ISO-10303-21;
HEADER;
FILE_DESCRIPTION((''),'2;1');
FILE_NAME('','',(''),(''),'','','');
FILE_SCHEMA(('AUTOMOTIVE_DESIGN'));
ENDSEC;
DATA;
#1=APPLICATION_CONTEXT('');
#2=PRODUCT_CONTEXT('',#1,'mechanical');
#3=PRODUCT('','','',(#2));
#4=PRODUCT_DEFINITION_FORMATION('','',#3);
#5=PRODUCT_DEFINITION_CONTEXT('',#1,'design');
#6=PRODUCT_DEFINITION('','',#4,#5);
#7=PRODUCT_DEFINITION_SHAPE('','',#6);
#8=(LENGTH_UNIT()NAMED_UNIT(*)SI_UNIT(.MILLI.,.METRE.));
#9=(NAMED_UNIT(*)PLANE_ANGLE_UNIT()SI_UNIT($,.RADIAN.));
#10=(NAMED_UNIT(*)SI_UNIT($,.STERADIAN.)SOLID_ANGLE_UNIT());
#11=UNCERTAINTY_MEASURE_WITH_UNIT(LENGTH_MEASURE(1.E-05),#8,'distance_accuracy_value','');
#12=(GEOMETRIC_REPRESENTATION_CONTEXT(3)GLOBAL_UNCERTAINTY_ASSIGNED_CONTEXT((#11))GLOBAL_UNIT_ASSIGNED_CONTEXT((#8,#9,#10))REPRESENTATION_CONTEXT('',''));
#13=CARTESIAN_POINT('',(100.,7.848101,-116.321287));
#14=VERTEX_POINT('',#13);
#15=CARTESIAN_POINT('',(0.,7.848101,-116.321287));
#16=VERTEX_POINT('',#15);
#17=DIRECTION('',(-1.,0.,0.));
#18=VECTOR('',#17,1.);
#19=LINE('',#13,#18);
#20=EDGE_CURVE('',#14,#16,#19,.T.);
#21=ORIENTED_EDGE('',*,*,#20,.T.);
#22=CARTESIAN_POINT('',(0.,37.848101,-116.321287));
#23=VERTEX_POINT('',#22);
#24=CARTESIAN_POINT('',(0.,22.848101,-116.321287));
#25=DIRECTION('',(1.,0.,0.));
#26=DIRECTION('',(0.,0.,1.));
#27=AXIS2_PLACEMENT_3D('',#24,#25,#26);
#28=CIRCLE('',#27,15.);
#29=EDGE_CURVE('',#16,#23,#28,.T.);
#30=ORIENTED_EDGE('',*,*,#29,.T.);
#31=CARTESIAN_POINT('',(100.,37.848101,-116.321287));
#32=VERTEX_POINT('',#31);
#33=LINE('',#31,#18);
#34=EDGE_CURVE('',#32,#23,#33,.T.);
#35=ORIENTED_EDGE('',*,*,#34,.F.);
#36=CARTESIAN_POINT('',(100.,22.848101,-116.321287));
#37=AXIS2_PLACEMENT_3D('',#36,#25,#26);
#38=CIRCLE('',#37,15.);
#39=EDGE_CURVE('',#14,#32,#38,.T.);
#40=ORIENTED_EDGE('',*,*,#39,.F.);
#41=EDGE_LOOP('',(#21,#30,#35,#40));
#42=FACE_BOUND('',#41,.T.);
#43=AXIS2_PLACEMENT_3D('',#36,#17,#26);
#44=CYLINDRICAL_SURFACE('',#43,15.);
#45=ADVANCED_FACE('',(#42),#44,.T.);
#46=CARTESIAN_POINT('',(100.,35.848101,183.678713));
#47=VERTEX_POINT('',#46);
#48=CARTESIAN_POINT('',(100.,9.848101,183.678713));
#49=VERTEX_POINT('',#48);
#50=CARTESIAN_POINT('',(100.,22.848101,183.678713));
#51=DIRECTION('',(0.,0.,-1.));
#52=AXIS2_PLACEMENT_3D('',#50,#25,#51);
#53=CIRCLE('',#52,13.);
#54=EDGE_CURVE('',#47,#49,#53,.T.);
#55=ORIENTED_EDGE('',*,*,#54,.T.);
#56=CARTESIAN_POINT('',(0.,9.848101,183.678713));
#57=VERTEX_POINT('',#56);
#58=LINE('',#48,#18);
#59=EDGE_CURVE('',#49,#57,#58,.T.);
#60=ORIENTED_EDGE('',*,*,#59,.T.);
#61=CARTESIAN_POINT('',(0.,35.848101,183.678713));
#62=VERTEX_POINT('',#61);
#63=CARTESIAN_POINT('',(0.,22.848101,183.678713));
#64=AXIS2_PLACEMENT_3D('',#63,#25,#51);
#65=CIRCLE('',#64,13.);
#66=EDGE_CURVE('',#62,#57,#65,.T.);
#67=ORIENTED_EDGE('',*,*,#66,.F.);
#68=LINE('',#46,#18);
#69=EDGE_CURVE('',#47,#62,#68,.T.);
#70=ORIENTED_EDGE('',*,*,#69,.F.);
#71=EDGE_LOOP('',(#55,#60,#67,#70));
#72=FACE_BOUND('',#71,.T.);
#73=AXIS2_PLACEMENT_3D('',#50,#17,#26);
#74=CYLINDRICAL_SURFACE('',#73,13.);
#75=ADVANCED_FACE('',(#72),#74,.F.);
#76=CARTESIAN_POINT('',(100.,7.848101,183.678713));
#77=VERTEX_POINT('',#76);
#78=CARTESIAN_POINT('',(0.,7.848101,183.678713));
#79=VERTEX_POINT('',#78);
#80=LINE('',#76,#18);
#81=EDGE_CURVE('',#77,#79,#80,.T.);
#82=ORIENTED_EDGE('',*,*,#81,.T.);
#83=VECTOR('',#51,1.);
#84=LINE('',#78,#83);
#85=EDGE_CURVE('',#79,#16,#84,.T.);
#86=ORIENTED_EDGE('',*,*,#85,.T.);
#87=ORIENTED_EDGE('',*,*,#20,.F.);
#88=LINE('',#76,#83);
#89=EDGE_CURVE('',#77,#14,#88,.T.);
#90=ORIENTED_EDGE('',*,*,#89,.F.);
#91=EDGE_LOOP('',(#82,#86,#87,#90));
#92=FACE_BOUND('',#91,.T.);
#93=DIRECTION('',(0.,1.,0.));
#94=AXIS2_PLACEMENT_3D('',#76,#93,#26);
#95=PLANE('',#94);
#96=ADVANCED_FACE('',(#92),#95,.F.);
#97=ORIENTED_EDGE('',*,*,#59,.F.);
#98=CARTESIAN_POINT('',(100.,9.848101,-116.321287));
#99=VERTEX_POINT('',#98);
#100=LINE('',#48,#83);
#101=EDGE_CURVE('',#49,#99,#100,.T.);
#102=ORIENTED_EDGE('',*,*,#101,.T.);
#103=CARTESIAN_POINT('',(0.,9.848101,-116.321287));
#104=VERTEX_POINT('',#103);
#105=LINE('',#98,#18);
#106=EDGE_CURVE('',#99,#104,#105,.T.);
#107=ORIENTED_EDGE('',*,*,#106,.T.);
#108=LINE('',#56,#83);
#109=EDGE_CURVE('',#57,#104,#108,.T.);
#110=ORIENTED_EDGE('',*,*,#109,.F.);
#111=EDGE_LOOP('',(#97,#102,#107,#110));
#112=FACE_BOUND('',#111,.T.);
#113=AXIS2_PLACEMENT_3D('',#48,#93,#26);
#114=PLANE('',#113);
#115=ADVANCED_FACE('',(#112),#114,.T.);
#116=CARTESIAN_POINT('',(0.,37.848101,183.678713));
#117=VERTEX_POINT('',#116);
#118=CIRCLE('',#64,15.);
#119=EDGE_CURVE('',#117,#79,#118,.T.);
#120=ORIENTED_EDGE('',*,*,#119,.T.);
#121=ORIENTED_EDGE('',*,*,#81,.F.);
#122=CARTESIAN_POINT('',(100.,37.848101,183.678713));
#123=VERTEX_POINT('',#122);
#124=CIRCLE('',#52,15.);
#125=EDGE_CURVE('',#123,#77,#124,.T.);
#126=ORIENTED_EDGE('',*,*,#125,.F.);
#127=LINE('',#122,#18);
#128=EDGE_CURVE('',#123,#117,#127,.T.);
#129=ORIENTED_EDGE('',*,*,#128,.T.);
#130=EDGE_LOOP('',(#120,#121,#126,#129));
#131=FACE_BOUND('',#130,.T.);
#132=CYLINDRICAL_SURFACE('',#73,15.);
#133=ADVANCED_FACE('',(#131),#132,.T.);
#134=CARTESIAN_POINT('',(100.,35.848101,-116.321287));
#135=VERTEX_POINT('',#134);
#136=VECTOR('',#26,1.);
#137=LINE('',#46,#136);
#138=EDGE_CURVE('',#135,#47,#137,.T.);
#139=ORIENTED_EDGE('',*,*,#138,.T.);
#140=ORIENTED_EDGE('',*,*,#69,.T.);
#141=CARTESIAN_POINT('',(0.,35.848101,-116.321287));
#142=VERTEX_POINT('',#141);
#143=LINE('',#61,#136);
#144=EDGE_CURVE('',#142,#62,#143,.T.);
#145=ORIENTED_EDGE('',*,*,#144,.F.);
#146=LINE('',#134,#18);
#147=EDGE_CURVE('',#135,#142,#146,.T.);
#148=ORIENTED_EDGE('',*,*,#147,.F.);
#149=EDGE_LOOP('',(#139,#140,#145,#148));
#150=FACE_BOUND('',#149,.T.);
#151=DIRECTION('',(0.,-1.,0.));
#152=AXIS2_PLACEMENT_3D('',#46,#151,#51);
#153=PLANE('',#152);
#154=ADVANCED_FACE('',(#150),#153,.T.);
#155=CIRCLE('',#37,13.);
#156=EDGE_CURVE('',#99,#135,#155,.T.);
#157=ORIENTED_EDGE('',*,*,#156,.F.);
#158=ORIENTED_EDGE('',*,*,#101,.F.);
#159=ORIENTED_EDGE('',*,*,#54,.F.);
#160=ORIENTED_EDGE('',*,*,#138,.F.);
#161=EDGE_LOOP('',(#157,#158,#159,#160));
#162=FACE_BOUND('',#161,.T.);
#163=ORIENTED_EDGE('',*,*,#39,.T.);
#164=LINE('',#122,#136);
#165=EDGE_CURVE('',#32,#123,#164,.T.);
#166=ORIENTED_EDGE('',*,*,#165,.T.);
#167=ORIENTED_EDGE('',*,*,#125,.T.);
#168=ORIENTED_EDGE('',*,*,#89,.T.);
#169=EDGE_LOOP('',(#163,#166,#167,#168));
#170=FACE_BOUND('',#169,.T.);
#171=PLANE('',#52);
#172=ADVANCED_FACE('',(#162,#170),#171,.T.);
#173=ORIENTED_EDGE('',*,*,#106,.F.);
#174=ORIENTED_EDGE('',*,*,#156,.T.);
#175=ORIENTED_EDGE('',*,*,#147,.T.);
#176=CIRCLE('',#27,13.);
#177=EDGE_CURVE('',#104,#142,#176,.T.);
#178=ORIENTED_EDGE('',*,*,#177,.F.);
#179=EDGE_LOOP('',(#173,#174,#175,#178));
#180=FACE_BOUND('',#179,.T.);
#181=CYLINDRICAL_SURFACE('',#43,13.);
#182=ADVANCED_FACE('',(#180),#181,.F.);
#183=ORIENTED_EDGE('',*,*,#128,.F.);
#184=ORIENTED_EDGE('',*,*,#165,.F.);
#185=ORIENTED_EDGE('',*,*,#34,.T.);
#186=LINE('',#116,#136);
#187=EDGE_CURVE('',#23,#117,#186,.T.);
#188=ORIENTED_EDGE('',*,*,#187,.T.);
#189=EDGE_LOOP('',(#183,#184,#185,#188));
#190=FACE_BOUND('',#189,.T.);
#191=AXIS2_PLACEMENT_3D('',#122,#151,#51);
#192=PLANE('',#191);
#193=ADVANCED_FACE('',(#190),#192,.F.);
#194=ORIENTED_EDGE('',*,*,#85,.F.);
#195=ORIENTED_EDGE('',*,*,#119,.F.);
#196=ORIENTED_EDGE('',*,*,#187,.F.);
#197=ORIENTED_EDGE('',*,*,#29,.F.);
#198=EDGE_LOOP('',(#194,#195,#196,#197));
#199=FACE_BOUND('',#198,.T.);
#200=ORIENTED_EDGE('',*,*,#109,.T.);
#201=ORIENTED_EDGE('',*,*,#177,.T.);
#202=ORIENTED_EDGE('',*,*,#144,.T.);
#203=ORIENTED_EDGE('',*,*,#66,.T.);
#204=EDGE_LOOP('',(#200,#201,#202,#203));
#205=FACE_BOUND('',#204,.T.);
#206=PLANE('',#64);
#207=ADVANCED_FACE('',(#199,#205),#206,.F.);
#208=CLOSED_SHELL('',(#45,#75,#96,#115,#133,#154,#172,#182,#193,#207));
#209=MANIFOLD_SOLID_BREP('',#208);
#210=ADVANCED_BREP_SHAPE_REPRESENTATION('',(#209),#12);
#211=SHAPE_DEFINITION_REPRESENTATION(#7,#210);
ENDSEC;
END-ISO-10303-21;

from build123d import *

# Parameters (mm, degrees)
BOSS_EXTRUDE1_DEPTH = 100


with BuildPart() as part:
    # Sketch1 → Boss-Extrude1 (new body)
    with BuildSketch(Plane(origin=(0, 0, 0), x_dir=(0, 0, -1), z_dir=(1, 0, 0))):
        with BuildLine():
            Line((-183.678713125, 37.848101266), (116.321286875, 37.848101266))
            ThreePointArc((116.321286875, 37.848101266), (131.321286875, 22.848101266), (116.321286875, 7.848101266))
            Line((116.321286875, 7.848101266), (-183.678713125, 7.848101266))
            ThreePointArc((-183.678713125, 7.848101266), (-198.678713125, 22.848101266), (-183.678713125, 37.848101266))
        make_face()
        with BuildLine():
            Line((-183.678713125, 9.848101266), (116.321286875, 9.848101266))
            ThreePointArc((116.321286875, 9.848101266), (129.321286875, 22.848101266), (116.321286875, 35.848101266))
            Line((116.321286875, 35.848101266), (-183.678713125, 35.848101266))
            ThreePointArc((-183.678713125, 35.848101266), (-196.678713125, 22.848101266), (-183.678713125, 9.848101266))
        make_face(mode=Mode.SUBTRACT)
    extrude(amount=BOSS_EXTRUDE1_DEPTH)


solid = part.part
